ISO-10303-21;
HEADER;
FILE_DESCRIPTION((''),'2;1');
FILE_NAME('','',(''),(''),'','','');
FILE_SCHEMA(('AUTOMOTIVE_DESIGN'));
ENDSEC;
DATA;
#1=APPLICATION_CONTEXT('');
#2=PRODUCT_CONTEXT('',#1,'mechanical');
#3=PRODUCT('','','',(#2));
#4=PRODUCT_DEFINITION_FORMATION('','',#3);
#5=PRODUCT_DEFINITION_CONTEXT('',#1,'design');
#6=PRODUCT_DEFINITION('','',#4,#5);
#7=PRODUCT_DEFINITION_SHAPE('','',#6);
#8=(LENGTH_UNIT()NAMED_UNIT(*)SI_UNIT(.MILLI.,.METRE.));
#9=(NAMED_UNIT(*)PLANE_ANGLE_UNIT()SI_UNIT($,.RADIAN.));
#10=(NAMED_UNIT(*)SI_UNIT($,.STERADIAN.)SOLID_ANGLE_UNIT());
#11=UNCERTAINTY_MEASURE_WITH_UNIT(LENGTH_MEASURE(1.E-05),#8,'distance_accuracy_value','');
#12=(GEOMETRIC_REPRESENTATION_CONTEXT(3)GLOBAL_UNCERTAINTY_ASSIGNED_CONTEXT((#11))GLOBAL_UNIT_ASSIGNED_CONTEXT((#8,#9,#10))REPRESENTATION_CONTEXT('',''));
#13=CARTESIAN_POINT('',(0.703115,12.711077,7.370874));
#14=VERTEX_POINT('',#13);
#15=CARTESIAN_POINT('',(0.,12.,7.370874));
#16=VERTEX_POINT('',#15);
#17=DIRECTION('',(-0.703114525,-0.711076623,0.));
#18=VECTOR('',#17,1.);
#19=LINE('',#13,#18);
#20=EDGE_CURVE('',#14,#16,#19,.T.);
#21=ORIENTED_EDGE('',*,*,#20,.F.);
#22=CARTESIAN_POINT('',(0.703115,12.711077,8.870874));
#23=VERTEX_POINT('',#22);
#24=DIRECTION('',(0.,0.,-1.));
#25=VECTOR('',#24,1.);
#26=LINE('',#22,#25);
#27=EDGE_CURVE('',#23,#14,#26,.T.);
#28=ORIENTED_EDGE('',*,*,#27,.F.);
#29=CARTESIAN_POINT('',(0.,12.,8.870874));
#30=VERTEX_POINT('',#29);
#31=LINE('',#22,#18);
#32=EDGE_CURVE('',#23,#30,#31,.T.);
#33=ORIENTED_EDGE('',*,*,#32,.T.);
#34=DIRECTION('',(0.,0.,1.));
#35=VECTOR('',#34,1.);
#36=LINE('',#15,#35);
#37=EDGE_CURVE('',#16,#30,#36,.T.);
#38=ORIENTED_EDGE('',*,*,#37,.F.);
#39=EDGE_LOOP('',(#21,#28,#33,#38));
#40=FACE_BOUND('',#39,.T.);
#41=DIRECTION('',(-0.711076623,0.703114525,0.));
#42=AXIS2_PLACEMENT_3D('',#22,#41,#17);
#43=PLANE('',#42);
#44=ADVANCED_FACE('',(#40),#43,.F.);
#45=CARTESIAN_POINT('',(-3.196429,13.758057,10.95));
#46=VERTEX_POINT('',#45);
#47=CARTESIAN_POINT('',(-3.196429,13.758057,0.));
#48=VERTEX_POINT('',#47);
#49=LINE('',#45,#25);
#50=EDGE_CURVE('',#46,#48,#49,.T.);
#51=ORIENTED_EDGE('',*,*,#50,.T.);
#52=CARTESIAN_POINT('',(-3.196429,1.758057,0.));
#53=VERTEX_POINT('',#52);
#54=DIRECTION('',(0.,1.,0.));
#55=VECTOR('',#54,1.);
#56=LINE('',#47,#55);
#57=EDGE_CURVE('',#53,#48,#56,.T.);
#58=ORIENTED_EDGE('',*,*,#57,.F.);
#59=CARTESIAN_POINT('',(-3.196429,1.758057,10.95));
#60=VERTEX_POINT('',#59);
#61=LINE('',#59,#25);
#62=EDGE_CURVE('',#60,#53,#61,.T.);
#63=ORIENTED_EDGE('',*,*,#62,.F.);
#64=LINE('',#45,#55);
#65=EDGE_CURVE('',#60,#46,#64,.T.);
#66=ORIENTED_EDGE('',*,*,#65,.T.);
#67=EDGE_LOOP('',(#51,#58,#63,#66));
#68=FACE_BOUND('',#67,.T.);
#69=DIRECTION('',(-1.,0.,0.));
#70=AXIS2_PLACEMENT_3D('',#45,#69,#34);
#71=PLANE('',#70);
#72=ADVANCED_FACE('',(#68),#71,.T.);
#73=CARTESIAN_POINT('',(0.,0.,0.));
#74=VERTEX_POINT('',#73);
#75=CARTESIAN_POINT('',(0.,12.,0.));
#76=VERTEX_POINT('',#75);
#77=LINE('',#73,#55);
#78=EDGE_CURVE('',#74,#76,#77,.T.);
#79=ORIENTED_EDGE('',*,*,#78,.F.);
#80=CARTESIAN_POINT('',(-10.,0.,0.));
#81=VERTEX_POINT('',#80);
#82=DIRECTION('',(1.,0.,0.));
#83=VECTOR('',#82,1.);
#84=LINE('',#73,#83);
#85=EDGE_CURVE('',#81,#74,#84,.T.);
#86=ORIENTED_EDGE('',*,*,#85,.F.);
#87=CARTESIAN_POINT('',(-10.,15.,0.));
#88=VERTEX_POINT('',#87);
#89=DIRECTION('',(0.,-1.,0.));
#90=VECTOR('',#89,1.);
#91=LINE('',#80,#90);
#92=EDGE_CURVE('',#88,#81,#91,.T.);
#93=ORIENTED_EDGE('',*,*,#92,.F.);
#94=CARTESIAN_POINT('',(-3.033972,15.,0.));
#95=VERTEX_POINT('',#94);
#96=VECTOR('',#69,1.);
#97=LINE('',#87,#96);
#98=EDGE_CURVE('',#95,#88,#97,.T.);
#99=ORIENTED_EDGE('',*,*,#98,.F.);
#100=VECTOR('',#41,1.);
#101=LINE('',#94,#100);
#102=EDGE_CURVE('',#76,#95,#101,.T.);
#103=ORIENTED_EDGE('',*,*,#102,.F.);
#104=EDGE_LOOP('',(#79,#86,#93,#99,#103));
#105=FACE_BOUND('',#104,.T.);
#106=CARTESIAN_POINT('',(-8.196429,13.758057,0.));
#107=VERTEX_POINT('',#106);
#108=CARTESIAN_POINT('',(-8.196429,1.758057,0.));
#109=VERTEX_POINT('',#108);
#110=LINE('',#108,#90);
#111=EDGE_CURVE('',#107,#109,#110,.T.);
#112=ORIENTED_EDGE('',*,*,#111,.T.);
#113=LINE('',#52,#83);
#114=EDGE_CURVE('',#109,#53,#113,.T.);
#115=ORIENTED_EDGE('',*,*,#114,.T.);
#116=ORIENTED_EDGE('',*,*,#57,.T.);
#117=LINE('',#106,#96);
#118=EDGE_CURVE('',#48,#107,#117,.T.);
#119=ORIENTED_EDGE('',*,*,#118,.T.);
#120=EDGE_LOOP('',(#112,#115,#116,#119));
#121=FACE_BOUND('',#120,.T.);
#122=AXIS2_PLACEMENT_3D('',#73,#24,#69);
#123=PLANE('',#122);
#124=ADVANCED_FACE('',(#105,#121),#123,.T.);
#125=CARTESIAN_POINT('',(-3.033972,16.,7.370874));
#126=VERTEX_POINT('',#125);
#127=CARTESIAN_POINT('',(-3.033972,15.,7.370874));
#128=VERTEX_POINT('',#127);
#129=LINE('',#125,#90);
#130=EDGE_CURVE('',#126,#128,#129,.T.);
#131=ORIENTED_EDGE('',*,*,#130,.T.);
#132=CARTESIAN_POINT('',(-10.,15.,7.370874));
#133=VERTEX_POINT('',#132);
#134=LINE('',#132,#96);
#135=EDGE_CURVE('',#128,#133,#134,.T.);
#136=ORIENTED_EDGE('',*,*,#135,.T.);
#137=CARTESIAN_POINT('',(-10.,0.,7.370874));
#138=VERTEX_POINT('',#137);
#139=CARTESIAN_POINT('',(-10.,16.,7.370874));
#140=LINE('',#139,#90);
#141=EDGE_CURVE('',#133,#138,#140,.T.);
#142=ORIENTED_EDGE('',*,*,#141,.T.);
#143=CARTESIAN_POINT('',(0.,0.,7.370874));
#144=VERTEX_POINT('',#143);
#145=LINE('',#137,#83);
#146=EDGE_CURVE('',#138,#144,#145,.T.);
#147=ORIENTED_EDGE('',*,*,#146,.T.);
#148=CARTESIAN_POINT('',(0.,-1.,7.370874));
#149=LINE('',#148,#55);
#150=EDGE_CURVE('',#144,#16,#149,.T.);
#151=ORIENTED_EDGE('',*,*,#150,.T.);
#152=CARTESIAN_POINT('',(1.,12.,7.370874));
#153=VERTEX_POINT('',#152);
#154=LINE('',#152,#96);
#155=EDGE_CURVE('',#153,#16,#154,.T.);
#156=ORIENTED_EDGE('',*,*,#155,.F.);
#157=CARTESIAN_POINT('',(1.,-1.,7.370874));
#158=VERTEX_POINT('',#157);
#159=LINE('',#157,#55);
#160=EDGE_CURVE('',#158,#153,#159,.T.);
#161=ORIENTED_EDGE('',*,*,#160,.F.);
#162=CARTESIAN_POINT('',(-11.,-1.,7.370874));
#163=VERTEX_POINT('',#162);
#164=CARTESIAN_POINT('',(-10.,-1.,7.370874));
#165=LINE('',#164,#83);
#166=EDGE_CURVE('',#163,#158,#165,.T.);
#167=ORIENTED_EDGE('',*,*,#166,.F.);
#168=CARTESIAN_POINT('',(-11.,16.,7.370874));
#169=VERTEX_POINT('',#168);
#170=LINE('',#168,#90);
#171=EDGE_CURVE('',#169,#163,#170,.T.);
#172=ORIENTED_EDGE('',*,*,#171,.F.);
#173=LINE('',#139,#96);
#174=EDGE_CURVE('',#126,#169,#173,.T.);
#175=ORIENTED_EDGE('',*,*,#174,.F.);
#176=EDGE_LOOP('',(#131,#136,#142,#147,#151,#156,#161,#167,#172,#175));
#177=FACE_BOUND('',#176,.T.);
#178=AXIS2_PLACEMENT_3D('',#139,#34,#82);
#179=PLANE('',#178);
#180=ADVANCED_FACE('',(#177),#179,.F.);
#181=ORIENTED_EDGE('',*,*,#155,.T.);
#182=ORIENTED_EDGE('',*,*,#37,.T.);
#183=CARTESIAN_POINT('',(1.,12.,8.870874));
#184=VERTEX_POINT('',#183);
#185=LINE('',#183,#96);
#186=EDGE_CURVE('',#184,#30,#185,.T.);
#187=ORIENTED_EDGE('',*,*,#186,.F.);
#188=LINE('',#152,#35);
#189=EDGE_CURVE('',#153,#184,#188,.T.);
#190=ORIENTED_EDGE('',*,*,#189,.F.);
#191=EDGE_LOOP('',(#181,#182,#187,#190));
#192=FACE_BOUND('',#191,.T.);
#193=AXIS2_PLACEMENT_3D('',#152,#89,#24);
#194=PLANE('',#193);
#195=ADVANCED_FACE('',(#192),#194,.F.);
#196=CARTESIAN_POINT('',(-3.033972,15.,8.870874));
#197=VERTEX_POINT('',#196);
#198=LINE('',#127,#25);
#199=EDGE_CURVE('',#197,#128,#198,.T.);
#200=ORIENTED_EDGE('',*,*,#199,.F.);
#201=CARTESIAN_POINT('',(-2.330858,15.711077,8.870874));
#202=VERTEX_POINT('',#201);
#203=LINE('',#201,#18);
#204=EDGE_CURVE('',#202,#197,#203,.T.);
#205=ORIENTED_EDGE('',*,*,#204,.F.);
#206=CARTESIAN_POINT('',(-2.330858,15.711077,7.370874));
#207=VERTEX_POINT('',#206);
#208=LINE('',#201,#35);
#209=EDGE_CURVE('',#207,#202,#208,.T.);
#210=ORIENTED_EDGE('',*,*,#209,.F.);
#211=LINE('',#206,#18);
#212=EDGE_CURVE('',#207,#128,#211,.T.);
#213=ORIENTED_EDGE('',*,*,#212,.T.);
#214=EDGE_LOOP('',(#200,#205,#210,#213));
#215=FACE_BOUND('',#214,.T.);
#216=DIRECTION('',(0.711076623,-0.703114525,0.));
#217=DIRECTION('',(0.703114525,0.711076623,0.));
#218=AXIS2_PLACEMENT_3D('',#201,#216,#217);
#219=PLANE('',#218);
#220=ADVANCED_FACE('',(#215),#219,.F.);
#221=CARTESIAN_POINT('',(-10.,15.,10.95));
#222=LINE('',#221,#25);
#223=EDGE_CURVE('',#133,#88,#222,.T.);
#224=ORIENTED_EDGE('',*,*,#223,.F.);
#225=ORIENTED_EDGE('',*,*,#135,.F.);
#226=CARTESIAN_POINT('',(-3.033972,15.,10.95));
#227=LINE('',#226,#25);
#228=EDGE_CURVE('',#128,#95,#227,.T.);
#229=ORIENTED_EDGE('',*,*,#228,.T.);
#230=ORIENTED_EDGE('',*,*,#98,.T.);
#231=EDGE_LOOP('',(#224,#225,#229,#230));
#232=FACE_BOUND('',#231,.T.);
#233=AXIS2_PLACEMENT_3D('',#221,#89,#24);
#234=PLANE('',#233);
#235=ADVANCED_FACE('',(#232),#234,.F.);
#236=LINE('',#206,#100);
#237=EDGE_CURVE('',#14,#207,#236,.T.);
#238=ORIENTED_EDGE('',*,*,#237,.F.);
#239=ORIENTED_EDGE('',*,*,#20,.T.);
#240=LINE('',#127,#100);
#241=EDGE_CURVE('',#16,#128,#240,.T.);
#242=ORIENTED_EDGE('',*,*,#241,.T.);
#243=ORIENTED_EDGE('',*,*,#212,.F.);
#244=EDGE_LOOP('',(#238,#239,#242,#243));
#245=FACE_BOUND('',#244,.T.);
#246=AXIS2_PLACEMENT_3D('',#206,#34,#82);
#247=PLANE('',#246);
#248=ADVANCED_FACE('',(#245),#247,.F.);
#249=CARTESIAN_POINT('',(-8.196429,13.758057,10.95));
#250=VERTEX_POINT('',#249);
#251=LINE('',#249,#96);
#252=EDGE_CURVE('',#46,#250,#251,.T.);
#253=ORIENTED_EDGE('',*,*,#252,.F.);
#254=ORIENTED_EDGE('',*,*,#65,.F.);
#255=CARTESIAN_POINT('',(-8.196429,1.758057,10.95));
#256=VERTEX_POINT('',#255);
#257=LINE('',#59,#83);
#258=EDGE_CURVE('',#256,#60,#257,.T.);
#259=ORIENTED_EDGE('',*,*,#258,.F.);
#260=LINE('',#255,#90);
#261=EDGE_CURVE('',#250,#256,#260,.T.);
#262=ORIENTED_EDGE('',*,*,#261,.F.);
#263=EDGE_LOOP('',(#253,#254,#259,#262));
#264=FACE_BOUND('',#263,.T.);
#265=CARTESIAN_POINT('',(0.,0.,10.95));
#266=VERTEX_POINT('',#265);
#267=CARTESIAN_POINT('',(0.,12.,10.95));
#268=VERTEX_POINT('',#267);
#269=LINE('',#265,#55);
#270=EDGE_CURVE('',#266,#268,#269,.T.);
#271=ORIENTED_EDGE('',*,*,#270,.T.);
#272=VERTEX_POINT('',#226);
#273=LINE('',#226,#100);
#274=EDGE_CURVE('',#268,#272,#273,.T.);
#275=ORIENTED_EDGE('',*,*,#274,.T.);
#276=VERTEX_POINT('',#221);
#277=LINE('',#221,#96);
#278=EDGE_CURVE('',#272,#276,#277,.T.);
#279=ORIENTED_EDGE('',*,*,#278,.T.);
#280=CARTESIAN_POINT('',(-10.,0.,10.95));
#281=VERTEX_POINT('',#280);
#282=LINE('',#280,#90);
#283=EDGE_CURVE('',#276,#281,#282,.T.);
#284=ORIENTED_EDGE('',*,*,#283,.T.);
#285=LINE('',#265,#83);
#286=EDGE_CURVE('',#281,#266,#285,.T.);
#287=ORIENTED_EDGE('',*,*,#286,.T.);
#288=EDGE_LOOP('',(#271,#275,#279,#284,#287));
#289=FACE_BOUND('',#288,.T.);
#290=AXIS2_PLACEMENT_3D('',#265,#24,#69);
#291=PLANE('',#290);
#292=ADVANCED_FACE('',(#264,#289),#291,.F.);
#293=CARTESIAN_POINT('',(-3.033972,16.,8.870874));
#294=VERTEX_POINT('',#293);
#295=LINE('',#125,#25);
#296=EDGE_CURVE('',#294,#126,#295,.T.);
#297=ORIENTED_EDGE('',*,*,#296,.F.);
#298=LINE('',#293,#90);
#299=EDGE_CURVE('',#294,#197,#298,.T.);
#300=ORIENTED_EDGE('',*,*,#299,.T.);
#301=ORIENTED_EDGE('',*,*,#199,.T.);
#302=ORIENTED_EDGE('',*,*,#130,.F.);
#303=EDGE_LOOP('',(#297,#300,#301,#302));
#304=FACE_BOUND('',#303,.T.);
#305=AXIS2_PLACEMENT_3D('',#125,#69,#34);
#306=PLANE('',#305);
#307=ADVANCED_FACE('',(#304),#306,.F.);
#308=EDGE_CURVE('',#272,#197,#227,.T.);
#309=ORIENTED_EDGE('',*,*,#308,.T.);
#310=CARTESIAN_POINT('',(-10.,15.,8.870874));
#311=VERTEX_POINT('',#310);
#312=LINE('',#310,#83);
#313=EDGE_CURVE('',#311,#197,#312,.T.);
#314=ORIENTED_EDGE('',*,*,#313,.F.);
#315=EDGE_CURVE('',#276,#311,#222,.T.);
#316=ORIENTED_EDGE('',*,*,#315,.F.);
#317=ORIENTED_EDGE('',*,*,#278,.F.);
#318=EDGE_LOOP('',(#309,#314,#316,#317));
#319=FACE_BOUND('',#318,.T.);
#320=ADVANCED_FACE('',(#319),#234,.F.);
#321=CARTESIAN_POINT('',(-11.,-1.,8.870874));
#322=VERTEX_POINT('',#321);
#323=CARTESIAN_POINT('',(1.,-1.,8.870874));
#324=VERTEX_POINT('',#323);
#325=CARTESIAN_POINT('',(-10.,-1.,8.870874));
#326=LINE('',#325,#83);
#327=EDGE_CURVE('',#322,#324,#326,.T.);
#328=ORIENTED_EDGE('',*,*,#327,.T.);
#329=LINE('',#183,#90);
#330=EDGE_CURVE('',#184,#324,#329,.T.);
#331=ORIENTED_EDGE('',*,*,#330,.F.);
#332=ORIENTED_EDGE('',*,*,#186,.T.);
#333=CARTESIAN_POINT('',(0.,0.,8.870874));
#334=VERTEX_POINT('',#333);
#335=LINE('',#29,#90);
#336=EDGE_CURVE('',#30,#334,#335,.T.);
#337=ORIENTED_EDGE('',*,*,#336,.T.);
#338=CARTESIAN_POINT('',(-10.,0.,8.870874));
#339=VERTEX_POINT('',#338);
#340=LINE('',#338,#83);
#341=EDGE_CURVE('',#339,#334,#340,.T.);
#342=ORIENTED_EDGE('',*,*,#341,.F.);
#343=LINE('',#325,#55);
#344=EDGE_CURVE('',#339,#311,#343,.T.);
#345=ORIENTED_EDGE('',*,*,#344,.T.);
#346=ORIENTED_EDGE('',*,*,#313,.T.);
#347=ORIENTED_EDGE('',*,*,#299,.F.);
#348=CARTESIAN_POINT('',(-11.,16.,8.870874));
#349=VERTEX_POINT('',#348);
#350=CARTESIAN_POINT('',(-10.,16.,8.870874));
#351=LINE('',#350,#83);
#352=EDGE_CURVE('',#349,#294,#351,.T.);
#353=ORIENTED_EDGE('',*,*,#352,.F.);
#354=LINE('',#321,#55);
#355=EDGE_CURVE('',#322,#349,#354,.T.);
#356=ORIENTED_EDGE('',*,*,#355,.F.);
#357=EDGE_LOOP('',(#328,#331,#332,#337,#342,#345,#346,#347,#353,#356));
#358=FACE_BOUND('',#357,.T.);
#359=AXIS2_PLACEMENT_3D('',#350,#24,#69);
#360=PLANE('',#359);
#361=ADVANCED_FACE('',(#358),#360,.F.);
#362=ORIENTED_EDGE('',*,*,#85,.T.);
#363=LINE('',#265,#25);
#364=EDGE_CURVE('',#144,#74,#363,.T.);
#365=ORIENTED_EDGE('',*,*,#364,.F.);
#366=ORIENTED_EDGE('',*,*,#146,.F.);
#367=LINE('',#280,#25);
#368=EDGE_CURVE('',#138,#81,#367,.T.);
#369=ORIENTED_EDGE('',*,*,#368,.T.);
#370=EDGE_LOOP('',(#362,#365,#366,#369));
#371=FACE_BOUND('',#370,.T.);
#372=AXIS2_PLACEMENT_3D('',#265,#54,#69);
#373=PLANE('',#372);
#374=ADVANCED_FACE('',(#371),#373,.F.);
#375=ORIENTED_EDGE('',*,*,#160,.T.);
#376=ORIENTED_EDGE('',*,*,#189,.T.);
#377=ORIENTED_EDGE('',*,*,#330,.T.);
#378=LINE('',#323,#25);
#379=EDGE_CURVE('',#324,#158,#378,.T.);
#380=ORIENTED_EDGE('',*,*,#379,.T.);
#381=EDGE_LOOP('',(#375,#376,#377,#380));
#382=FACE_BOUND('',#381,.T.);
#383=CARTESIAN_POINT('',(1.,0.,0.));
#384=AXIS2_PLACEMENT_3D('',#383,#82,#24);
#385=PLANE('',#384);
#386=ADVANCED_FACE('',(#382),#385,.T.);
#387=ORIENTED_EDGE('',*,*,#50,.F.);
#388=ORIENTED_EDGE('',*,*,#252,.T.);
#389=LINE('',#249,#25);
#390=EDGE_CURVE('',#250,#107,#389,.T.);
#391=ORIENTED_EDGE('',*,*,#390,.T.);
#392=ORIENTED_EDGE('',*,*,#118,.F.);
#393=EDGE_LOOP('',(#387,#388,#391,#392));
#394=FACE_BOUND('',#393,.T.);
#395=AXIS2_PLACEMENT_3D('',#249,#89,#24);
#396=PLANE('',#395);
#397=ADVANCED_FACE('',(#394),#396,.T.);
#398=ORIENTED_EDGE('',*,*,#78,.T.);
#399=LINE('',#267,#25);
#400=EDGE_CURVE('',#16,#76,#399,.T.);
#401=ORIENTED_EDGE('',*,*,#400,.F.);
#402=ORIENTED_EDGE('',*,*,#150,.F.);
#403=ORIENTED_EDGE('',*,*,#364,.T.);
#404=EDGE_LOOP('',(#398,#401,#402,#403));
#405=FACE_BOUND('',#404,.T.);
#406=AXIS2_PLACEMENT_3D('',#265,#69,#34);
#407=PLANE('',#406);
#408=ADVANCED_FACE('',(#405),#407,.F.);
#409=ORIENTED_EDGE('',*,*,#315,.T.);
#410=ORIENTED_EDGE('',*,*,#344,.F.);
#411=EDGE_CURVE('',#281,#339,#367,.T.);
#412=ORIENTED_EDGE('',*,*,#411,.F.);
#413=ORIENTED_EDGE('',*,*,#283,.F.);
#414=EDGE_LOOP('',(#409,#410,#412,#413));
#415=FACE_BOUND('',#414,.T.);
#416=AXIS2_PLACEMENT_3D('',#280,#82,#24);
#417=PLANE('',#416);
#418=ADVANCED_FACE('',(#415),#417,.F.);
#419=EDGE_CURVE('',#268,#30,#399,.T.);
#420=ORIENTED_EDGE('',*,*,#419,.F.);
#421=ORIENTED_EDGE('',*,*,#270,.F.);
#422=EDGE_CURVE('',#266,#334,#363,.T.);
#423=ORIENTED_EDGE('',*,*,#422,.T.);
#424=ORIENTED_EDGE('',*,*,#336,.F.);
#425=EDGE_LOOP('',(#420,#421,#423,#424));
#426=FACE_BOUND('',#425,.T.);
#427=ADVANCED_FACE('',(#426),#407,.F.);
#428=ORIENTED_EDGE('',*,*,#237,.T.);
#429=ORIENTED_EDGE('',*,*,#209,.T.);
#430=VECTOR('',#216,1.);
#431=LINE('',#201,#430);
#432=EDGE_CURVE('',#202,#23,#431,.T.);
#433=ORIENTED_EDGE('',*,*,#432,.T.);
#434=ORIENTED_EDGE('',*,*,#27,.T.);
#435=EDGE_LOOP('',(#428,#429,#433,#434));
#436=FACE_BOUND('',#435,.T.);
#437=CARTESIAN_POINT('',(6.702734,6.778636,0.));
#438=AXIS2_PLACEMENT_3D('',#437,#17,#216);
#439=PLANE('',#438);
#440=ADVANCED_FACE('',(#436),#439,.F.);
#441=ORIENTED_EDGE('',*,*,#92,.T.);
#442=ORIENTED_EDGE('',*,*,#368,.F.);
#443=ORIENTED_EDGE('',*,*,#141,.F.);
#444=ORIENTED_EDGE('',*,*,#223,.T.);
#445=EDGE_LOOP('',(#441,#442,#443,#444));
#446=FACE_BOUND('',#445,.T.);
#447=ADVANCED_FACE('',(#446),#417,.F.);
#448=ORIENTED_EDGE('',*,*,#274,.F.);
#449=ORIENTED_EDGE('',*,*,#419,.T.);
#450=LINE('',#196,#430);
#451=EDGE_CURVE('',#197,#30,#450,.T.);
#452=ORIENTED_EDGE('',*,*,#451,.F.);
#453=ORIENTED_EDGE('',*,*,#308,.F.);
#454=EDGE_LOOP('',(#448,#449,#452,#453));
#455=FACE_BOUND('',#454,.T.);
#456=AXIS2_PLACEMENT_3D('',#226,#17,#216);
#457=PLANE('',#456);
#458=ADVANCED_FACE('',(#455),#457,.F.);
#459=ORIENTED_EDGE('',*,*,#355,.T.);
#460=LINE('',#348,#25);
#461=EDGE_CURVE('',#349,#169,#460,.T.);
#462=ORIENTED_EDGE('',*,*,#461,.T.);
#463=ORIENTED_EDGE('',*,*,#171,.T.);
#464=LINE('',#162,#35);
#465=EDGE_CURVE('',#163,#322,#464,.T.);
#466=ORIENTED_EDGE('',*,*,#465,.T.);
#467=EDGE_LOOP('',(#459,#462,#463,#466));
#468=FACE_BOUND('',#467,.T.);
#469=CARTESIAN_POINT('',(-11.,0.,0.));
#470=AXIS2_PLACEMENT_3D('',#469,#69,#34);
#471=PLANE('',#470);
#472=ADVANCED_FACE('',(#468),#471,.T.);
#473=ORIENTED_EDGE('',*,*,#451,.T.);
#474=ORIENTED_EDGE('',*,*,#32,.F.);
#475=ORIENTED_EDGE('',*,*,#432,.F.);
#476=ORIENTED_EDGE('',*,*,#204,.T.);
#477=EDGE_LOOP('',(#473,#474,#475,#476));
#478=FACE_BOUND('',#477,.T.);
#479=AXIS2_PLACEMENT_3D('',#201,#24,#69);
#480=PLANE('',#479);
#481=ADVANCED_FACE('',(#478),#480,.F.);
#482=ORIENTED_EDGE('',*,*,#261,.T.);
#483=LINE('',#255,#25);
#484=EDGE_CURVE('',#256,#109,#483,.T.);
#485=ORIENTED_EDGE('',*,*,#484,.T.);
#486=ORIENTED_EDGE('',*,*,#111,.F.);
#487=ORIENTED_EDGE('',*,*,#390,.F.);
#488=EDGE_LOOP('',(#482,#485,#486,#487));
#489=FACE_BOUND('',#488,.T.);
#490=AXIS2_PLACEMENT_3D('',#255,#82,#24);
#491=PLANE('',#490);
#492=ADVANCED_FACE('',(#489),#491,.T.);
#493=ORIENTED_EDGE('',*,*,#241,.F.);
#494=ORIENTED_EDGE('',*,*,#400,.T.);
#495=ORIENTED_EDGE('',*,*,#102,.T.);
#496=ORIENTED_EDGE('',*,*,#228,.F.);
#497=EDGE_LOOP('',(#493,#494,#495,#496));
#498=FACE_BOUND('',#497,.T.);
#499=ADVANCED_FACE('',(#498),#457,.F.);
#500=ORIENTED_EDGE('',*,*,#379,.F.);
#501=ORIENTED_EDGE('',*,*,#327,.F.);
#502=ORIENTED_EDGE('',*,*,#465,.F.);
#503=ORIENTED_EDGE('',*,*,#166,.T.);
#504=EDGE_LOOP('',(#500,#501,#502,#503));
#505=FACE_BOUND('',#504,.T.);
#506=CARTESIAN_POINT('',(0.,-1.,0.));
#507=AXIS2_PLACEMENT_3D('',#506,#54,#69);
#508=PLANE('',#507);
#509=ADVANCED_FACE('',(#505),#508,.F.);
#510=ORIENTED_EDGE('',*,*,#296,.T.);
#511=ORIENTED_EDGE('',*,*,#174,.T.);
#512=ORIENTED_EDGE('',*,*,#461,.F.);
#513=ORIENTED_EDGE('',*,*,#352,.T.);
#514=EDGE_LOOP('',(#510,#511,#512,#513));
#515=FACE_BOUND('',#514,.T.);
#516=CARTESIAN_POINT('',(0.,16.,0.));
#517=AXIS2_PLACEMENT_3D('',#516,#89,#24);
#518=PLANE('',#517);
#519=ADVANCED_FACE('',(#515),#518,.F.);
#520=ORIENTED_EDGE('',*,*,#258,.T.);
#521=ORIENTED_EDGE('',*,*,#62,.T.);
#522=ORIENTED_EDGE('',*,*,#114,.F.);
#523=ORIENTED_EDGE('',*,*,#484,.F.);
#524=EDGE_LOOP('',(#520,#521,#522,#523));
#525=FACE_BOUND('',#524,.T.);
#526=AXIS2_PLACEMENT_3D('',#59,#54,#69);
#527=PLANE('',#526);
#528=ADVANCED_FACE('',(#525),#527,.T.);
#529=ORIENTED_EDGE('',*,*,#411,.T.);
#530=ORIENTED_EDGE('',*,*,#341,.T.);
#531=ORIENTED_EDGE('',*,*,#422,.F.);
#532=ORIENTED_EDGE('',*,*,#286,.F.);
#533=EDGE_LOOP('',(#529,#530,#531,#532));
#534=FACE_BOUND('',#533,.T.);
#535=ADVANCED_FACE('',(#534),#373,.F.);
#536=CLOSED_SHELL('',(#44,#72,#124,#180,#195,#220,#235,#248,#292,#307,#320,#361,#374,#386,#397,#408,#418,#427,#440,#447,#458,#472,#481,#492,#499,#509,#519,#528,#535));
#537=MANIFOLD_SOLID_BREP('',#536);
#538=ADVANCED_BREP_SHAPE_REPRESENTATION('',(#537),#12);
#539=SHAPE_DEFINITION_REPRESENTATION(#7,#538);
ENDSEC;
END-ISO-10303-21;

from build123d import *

# Parameters (mm, degrees)
SKETCH1_W           = 5
SKETCH1_H           = 12
BOSS_EXTRUDE1_DEPTH = 10.95
SKETCH6_W           = 6.966027875
SKETCH6_H           = 1.5
BOSS_EXTRUDE2_DEPTH = 1
SKETCH4_W           = 10
SKETCH4_H           = 1.5
BOSS_EXTRUDE4_DEPTH = 1
SKETCH9_W           = 1.5
SKETCH9_H           = 17
BOSS_EXTRUDE5_DEPTH = 1
SKETCH10_W          = 1.5
SKETCH10_H          = 13
BOSS_EXTRUDE6_DEPTH = 1
SKETCH11_W          = 4.266730231
SKETCH11_H          = 1.5
BOSS_EXTRUDE7_DEPTH = 1


with BuildPart() as part:
    # Sketch1 → Boss-Extrude1 (new body)
    with BuildSketch(Plane.XY):
        Polygon((0, 0), (-10, 0), (-10, 15), (-3.033972125, 15), (0, 12), align=None)
        with Locations((-5.696428571, 7.758057491)):
            Rectangle(SKETCH1_W, SKETCH1_H, mode=Mode.SUBTRACT)
    extrude(amount=BOSS_EXTRUDE1_DEPTH)

    # Sketch6 → Boss-Extrude2 (add)
    with BuildSketch(Plane(origin=(0, 15, 0), x_dir=(1, 0, 0), z_dir=(0, 1, 0))):
        with Locations((-6.516986063, -8.120873767)):
            Rectangle(SKETCH6_W, SKETCH6_H)
    extrude(amount=BOSS_EXTRUDE2_DEPTH)

    # Sketch4 → Boss-Extrude4 (add)
    with BuildSketch(Plane.XZ):
        with Locations((-5, 8.120873767)):
            Rectangle(SKETCH4_W, SKETCH4_H)
    extrude(amount=BOSS_EXTRUDE4_DEPTH)

    # Sketch9 → Boss-Extrude5 (add)
    with BuildSketch(Plane.ZY.offset(10)):
        with Locations((8.120873767, 7.5)):
            Rectangle(SKETCH9_W, SKETCH9_H)
    extrude(amount=BOSS_EXTRUDE5_DEPTH)

    # Sketch10 → Boss-Extrude6 (add)
    with BuildSketch(Plane(origin=(0, 0, 0), x_dir=(0, 0, -1), z_dir=(1, 0, 0))):
        with Locations((-8.120873767, 5.5)):
            Rectangle(SKETCH10_W, SKETCH10_H)
    extrude(amount=BOSS_EXTRUDE6_DEPTH)

    # Sketch11 → Boss-Extrude7 (add)
    with BuildSketch(Plane(origin=(5.99961963, 6.067559573, 0), x_dir=(0.7110766234784633, -0.7031145251966195, 0), z_dir=(0.7031145251966195, 0.7110766234784633, 0))):
        with Locations((-10.570739418, -8.120873767)):
            Rectangle(SKETCH11_W, SKETCH11_H)
    extrude(amount=BOSS_EXTRUDE7_DEPTH)


solid = part.part
